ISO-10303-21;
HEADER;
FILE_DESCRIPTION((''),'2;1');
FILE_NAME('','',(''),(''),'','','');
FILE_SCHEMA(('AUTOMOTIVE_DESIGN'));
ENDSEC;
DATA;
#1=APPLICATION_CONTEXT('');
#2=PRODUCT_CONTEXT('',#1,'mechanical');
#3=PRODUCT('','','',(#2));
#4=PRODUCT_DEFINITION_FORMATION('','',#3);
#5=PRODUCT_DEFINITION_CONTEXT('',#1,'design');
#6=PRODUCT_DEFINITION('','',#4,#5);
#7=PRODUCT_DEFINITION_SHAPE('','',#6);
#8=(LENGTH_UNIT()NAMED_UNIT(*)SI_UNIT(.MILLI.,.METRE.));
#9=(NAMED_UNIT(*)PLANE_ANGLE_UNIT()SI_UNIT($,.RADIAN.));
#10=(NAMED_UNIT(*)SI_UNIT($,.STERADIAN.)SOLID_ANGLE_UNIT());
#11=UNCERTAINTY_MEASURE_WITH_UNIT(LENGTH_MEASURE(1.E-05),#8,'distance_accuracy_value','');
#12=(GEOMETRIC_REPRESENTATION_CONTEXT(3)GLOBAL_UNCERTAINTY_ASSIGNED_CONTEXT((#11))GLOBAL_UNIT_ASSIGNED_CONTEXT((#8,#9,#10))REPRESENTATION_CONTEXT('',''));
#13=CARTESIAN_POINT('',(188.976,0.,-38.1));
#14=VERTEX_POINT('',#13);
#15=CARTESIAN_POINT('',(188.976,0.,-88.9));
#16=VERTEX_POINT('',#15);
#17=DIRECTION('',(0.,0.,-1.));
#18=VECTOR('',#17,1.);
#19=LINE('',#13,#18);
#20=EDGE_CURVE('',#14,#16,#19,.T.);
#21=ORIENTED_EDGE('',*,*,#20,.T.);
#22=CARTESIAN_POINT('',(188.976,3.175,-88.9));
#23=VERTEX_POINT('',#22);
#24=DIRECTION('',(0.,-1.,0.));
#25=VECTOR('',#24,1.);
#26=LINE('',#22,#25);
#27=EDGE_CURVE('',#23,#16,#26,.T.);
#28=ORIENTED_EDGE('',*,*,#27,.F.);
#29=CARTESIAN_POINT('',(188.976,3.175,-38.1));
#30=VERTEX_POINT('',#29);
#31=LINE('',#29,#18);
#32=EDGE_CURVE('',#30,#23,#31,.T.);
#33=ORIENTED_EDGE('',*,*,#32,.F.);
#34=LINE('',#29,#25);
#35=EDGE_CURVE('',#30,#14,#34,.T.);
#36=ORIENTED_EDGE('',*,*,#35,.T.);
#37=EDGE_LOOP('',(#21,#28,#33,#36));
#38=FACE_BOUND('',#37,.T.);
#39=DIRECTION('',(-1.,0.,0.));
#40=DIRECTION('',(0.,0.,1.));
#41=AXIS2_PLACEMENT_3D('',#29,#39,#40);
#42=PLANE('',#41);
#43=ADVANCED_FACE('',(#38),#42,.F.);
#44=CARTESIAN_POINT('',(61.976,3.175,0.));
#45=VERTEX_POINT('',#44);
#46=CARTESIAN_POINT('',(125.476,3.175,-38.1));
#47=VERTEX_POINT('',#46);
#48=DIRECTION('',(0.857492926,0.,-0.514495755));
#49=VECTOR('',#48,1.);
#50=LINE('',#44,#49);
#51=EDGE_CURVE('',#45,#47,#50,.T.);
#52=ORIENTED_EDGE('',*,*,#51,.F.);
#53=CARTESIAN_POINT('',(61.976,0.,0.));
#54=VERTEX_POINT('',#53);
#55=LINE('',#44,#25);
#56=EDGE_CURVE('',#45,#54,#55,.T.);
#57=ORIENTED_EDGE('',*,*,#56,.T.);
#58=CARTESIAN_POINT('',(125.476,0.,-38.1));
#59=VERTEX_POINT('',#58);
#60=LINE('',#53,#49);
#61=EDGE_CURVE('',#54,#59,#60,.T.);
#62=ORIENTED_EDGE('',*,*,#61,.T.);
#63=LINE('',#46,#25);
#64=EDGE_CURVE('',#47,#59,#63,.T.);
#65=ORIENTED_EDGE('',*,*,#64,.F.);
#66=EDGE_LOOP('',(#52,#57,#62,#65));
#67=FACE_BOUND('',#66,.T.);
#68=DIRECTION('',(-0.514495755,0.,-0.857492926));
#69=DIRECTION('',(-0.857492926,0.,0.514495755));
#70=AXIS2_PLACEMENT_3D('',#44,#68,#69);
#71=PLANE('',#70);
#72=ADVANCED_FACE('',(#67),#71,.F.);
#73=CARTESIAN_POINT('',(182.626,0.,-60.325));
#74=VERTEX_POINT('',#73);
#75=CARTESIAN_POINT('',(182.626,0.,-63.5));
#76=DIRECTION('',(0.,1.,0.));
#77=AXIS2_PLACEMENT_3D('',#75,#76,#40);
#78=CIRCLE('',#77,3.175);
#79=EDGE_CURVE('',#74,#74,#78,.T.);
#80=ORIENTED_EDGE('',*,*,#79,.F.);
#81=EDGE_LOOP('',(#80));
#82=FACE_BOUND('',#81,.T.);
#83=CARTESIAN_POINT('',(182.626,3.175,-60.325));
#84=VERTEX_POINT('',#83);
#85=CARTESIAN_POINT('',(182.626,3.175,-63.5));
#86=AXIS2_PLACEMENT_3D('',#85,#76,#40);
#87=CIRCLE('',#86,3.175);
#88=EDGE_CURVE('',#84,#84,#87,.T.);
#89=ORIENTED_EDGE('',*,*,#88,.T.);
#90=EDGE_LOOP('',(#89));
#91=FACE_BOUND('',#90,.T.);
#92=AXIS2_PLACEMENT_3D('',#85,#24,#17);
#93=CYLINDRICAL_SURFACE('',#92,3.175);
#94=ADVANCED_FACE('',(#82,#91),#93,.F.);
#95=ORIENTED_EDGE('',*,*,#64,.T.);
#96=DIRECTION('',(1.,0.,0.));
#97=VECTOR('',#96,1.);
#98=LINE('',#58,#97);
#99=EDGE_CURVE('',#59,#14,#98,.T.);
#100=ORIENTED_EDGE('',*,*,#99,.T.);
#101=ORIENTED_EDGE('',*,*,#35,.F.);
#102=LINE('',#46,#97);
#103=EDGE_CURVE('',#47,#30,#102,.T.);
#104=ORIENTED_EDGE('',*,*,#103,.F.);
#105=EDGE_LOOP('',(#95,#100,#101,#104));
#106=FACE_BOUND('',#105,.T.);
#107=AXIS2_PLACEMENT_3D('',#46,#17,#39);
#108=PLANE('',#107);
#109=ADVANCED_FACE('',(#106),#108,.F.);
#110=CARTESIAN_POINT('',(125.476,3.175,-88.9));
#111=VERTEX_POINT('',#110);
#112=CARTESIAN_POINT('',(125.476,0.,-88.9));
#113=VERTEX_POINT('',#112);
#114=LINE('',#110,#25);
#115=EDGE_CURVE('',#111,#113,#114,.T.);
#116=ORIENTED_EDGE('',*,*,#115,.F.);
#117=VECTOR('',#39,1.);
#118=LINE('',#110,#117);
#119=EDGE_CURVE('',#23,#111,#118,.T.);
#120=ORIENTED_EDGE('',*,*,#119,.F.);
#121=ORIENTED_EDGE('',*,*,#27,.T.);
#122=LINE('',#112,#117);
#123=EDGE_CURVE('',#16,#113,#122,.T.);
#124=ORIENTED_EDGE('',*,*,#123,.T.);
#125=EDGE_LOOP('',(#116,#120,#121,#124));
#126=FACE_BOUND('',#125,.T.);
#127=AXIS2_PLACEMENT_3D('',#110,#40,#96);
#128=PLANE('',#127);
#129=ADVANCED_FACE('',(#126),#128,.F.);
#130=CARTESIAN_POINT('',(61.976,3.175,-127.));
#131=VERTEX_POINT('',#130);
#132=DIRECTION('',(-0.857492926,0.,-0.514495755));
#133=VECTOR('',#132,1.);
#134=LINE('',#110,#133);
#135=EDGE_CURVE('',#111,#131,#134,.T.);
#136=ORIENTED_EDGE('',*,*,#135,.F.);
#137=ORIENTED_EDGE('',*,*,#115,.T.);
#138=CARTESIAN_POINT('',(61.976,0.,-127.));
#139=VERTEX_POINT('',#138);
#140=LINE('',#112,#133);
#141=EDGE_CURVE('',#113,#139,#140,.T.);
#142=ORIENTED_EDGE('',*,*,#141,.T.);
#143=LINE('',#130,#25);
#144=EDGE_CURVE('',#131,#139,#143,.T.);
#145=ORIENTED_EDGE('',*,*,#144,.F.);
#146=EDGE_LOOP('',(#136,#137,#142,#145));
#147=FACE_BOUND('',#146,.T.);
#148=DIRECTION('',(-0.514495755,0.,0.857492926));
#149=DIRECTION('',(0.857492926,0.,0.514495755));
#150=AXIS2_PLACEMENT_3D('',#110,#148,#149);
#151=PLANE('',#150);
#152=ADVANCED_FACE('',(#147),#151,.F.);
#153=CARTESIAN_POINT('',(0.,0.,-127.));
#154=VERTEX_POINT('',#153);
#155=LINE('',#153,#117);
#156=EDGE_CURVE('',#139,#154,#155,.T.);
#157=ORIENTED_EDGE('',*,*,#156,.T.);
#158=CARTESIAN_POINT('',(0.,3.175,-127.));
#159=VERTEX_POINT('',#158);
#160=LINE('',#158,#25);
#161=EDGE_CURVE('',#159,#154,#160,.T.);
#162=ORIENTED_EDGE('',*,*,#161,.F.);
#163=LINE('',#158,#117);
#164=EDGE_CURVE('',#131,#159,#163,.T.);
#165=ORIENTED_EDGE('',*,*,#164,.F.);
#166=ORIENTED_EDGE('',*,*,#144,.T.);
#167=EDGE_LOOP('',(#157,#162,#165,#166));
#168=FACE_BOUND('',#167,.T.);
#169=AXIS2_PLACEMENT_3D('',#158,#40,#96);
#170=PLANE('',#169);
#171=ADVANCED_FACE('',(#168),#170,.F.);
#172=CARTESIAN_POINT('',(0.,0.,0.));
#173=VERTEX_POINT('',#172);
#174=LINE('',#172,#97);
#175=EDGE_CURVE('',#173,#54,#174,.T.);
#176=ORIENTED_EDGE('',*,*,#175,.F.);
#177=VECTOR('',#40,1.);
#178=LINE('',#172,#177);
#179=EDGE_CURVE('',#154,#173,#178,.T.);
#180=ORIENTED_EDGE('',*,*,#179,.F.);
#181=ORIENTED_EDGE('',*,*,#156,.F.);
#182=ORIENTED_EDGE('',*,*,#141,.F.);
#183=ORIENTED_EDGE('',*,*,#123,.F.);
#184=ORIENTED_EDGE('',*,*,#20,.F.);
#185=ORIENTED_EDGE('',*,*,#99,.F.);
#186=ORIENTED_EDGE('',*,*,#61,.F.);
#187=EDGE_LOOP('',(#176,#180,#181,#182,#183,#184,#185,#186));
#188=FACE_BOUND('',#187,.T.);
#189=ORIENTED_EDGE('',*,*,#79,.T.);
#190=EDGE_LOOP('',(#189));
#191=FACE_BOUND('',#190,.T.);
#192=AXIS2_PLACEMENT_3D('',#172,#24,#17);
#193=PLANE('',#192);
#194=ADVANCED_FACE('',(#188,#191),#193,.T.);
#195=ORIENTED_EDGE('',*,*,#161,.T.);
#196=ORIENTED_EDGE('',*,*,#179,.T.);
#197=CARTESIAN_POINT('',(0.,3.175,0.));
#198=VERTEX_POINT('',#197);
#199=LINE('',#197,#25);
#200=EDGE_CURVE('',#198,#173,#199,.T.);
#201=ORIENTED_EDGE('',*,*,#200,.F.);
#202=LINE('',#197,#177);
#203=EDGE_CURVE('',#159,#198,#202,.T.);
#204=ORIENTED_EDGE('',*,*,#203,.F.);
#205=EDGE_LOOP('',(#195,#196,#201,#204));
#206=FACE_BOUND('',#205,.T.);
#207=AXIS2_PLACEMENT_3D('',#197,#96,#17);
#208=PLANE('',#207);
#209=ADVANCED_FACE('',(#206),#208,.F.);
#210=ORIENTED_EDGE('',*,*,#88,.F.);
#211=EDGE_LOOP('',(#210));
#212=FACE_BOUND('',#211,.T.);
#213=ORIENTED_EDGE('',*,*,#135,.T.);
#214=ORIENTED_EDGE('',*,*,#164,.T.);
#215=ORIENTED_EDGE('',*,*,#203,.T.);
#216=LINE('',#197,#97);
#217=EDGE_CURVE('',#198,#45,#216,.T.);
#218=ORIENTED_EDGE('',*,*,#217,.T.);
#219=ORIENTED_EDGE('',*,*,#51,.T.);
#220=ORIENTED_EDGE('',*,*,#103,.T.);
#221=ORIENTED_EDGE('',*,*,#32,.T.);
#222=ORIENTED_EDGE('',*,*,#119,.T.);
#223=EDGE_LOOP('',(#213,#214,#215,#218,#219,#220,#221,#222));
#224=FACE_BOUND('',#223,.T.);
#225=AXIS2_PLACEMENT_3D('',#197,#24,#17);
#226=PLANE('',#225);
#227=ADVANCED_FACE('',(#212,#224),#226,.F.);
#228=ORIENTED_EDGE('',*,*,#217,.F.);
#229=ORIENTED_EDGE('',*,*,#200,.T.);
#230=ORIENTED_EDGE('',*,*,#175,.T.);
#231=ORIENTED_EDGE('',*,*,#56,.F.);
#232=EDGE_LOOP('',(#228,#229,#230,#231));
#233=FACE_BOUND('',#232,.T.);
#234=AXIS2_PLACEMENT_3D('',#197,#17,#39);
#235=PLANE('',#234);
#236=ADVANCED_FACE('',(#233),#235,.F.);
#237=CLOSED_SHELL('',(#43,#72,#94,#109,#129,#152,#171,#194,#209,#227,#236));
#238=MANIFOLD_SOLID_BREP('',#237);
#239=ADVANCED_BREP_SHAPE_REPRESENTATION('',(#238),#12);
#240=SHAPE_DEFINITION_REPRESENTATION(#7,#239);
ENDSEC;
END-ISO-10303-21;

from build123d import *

# Parameters (mm, degrees)
SKETCH1_R           = 3.175
BOSS_EXTRUDE1_DEPTH = 3.175


with BuildPart() as part:
    # Sketch1 → Boss-Extrude1 (new body)
    with BuildSketch(Plane(origin=(0, 0, 0), x_dir=(1, 0, 0), z_dir=(0, 1, 0))):
        Polygon((61.976, 0), (125.476, 38.1), (188.976, 38.1), (188.976, 88.9), (125.476, 88.9), (61.976, 127), (0, 127), (0, 0), align=None)
        with Locations(Location((182.626, 63.5, 0), (0, 0, 270))):
            Circle(SKETCH1_R, mode=Mode.SUBTRACT)
    extrude(amount=BOSS_EXTRUDE1_DEPTH)


solid = part.part
